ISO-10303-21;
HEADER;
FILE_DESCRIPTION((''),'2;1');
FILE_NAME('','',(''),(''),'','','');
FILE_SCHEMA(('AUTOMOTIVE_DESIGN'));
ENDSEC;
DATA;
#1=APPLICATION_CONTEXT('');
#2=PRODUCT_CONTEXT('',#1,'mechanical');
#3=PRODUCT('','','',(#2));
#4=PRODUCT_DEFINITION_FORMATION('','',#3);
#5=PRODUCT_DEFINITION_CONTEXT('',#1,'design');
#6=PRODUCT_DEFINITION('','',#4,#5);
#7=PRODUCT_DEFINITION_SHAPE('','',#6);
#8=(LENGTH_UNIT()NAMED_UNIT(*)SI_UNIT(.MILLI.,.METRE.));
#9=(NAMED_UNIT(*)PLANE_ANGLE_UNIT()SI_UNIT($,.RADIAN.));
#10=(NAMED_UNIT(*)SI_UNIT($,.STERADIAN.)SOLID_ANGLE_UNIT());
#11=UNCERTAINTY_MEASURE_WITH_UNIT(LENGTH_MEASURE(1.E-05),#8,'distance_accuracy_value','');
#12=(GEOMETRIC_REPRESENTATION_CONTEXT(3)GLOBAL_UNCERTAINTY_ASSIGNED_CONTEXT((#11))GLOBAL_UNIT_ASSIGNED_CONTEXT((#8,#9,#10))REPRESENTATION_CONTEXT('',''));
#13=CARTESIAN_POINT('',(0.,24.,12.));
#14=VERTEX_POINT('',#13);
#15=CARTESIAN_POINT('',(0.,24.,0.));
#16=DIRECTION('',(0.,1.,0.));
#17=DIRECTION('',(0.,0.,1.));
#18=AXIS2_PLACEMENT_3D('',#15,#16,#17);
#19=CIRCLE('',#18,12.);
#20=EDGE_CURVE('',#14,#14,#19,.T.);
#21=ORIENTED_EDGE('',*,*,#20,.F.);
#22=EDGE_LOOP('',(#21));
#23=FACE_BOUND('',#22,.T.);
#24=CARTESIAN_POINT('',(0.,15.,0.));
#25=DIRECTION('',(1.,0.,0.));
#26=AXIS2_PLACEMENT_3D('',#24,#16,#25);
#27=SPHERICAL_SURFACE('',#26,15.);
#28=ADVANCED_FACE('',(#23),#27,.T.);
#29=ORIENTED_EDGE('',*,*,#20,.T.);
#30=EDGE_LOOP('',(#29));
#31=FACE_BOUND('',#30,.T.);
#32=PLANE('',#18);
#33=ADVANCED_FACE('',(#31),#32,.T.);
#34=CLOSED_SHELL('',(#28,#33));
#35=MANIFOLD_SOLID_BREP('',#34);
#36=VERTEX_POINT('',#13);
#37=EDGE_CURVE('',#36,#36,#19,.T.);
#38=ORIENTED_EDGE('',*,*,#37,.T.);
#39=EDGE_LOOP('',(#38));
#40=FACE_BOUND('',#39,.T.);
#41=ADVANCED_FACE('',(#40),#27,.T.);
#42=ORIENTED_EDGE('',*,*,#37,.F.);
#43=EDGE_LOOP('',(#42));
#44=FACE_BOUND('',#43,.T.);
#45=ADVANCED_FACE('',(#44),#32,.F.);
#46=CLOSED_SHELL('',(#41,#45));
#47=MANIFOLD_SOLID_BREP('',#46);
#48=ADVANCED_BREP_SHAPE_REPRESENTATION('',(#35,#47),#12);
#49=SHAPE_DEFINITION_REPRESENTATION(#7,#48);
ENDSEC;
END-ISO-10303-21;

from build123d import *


with BuildPart() as part:
    # Sketch1 → Revolve1 (revolve)
    with BuildSketch(Plane.XY):
        with BuildLine():
            Line((0, 30), (0, 0))
            ThreePointArc((0, 0), (15, 15), (0, 30))
        make_face()
    revolve(axis=Axis((0, 30, 0), (0, -1, 0)))


with BuildPart() as body_2:
    # Split1: the piece on the far side of the plane
    add(part.part)
    split(bisect_by=Plane.ZX.offset(24), keep=Keep.BOTTOM)


with BuildPart() as part_1:
    add(part.part)

    # Split1
    split(bisect_by=Plane.ZX.offset(24), keep=Keep.TOP)


solid = Compound([body_2.part, part_1.part])
